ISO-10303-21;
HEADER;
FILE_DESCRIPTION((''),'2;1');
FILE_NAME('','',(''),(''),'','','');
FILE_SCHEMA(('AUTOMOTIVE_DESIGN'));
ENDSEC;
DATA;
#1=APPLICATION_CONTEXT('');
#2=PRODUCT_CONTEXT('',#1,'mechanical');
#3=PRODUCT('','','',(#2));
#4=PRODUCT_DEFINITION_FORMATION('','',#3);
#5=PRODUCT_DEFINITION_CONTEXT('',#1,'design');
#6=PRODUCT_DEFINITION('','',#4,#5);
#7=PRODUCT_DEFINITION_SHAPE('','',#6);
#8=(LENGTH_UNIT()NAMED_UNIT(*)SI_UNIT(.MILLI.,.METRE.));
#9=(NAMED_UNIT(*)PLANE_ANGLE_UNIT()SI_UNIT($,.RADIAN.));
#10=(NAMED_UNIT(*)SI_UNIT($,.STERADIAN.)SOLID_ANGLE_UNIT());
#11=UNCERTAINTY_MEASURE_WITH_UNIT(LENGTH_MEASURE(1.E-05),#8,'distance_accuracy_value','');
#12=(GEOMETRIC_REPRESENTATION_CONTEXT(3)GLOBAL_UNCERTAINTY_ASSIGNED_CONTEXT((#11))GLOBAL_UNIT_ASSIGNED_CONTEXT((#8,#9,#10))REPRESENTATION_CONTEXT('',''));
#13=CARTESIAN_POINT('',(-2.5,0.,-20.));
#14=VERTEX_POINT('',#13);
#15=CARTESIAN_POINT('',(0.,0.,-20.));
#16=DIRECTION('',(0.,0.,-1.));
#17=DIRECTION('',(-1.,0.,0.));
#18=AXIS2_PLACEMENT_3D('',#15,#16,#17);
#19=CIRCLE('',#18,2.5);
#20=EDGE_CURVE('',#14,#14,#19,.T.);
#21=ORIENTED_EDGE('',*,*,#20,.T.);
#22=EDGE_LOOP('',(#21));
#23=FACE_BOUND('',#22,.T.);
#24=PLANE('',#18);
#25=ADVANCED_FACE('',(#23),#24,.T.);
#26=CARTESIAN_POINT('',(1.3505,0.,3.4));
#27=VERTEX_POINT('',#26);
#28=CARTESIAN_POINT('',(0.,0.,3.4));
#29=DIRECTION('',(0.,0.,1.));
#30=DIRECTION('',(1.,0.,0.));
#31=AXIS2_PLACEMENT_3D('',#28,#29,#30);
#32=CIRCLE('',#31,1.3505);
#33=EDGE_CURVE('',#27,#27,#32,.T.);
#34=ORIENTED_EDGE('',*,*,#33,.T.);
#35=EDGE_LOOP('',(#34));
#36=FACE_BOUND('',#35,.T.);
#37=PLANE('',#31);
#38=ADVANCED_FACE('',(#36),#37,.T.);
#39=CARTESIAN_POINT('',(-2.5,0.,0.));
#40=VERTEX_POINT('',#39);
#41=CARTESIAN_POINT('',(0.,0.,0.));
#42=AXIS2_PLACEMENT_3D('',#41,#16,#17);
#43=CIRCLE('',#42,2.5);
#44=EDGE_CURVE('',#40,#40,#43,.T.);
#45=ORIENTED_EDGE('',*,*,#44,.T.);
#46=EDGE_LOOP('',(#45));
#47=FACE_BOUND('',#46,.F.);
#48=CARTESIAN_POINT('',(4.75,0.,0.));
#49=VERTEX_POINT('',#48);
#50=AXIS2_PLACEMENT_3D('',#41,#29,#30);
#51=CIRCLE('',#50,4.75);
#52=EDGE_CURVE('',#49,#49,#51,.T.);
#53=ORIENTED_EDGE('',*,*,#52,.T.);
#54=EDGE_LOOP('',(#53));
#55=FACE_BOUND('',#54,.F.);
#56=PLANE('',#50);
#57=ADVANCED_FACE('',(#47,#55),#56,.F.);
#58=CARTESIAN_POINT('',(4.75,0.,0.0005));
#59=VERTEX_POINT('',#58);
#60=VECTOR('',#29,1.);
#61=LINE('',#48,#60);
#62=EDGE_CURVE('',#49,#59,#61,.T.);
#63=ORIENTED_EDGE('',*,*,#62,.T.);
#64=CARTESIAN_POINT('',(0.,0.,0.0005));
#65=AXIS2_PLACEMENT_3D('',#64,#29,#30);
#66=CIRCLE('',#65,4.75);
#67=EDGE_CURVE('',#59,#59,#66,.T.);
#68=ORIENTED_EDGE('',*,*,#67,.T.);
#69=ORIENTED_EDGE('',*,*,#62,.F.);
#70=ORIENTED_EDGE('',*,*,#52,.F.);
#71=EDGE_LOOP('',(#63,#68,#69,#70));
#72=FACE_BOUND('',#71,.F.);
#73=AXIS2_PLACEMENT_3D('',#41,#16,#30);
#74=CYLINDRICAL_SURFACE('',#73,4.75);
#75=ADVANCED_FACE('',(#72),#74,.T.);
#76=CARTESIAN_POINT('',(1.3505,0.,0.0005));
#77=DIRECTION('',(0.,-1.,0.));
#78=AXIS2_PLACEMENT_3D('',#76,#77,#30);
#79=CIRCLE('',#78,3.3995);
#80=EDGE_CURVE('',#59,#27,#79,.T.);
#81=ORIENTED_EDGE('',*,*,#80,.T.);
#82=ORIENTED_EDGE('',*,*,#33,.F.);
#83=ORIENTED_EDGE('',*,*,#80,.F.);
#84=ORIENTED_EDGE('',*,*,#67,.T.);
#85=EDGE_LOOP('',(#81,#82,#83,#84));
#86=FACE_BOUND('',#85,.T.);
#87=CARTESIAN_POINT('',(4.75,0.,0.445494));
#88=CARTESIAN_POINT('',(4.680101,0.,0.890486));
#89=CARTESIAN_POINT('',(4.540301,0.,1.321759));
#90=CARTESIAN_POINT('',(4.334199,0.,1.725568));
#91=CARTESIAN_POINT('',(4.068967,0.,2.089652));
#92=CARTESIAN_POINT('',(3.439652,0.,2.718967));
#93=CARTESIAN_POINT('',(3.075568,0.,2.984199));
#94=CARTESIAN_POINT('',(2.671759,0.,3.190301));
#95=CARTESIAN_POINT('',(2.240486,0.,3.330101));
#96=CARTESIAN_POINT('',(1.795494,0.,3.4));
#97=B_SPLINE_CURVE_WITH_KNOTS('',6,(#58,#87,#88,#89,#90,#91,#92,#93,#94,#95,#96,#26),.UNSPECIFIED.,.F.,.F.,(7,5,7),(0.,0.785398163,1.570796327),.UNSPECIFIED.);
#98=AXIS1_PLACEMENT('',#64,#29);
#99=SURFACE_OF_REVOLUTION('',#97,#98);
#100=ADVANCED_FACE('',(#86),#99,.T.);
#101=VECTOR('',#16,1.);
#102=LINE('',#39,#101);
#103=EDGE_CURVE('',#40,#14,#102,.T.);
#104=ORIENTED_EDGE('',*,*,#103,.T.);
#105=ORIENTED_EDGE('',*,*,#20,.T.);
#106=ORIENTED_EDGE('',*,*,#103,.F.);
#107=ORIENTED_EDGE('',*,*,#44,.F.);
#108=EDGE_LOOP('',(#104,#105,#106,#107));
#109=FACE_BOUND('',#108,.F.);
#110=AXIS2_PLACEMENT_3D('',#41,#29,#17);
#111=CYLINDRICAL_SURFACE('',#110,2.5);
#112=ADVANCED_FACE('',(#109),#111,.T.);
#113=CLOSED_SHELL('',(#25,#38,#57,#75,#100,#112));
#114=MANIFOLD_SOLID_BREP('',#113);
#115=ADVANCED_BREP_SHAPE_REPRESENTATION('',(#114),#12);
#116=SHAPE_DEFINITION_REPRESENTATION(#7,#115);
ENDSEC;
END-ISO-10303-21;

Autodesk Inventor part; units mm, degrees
ref_plane "YZ Plane" through (0, 0, 0) normal (1, 0, 0) x (0, 1, 0)
ref_plane "XZ Plane" through (0, 0, 0) normal (0, 1, 0) x (-1, 0, 0)
ref_plane "XY Plane" through (0, 0, 0) normal (0, 0, 1) x (1, 0, 0)
sketch "スケッチ1" plane through (0, 0, 0) normal (0, 0, 1) x (1, 0, 0)
  circle A0 centre (0, 0) radius 4.75
  dimension "d0" = 9.5
extrude "押し出し1" add sketch "スケッチ1" along normal blind 3.4
sketch "スケッチ2" plane through (0, 0, 0) normal (0, 0, -1) x (-1, 0, 0)
  circle A0 centre (0, 0) radius 2.5
  dimension "d3" = 5
extrude "押し出し2" add sketch "スケッチ2" along normal blind 20
fillet "フィレット1" radius 3.4 1 edges at (-4.75, 0, 3.4)
thread "ねじ1" size "M5x0.8" class "6g" standard "ANSI Metric M Profile" full length
properties part number "ネジ鍋m5,20" material "鋼、高強度、低合金"
